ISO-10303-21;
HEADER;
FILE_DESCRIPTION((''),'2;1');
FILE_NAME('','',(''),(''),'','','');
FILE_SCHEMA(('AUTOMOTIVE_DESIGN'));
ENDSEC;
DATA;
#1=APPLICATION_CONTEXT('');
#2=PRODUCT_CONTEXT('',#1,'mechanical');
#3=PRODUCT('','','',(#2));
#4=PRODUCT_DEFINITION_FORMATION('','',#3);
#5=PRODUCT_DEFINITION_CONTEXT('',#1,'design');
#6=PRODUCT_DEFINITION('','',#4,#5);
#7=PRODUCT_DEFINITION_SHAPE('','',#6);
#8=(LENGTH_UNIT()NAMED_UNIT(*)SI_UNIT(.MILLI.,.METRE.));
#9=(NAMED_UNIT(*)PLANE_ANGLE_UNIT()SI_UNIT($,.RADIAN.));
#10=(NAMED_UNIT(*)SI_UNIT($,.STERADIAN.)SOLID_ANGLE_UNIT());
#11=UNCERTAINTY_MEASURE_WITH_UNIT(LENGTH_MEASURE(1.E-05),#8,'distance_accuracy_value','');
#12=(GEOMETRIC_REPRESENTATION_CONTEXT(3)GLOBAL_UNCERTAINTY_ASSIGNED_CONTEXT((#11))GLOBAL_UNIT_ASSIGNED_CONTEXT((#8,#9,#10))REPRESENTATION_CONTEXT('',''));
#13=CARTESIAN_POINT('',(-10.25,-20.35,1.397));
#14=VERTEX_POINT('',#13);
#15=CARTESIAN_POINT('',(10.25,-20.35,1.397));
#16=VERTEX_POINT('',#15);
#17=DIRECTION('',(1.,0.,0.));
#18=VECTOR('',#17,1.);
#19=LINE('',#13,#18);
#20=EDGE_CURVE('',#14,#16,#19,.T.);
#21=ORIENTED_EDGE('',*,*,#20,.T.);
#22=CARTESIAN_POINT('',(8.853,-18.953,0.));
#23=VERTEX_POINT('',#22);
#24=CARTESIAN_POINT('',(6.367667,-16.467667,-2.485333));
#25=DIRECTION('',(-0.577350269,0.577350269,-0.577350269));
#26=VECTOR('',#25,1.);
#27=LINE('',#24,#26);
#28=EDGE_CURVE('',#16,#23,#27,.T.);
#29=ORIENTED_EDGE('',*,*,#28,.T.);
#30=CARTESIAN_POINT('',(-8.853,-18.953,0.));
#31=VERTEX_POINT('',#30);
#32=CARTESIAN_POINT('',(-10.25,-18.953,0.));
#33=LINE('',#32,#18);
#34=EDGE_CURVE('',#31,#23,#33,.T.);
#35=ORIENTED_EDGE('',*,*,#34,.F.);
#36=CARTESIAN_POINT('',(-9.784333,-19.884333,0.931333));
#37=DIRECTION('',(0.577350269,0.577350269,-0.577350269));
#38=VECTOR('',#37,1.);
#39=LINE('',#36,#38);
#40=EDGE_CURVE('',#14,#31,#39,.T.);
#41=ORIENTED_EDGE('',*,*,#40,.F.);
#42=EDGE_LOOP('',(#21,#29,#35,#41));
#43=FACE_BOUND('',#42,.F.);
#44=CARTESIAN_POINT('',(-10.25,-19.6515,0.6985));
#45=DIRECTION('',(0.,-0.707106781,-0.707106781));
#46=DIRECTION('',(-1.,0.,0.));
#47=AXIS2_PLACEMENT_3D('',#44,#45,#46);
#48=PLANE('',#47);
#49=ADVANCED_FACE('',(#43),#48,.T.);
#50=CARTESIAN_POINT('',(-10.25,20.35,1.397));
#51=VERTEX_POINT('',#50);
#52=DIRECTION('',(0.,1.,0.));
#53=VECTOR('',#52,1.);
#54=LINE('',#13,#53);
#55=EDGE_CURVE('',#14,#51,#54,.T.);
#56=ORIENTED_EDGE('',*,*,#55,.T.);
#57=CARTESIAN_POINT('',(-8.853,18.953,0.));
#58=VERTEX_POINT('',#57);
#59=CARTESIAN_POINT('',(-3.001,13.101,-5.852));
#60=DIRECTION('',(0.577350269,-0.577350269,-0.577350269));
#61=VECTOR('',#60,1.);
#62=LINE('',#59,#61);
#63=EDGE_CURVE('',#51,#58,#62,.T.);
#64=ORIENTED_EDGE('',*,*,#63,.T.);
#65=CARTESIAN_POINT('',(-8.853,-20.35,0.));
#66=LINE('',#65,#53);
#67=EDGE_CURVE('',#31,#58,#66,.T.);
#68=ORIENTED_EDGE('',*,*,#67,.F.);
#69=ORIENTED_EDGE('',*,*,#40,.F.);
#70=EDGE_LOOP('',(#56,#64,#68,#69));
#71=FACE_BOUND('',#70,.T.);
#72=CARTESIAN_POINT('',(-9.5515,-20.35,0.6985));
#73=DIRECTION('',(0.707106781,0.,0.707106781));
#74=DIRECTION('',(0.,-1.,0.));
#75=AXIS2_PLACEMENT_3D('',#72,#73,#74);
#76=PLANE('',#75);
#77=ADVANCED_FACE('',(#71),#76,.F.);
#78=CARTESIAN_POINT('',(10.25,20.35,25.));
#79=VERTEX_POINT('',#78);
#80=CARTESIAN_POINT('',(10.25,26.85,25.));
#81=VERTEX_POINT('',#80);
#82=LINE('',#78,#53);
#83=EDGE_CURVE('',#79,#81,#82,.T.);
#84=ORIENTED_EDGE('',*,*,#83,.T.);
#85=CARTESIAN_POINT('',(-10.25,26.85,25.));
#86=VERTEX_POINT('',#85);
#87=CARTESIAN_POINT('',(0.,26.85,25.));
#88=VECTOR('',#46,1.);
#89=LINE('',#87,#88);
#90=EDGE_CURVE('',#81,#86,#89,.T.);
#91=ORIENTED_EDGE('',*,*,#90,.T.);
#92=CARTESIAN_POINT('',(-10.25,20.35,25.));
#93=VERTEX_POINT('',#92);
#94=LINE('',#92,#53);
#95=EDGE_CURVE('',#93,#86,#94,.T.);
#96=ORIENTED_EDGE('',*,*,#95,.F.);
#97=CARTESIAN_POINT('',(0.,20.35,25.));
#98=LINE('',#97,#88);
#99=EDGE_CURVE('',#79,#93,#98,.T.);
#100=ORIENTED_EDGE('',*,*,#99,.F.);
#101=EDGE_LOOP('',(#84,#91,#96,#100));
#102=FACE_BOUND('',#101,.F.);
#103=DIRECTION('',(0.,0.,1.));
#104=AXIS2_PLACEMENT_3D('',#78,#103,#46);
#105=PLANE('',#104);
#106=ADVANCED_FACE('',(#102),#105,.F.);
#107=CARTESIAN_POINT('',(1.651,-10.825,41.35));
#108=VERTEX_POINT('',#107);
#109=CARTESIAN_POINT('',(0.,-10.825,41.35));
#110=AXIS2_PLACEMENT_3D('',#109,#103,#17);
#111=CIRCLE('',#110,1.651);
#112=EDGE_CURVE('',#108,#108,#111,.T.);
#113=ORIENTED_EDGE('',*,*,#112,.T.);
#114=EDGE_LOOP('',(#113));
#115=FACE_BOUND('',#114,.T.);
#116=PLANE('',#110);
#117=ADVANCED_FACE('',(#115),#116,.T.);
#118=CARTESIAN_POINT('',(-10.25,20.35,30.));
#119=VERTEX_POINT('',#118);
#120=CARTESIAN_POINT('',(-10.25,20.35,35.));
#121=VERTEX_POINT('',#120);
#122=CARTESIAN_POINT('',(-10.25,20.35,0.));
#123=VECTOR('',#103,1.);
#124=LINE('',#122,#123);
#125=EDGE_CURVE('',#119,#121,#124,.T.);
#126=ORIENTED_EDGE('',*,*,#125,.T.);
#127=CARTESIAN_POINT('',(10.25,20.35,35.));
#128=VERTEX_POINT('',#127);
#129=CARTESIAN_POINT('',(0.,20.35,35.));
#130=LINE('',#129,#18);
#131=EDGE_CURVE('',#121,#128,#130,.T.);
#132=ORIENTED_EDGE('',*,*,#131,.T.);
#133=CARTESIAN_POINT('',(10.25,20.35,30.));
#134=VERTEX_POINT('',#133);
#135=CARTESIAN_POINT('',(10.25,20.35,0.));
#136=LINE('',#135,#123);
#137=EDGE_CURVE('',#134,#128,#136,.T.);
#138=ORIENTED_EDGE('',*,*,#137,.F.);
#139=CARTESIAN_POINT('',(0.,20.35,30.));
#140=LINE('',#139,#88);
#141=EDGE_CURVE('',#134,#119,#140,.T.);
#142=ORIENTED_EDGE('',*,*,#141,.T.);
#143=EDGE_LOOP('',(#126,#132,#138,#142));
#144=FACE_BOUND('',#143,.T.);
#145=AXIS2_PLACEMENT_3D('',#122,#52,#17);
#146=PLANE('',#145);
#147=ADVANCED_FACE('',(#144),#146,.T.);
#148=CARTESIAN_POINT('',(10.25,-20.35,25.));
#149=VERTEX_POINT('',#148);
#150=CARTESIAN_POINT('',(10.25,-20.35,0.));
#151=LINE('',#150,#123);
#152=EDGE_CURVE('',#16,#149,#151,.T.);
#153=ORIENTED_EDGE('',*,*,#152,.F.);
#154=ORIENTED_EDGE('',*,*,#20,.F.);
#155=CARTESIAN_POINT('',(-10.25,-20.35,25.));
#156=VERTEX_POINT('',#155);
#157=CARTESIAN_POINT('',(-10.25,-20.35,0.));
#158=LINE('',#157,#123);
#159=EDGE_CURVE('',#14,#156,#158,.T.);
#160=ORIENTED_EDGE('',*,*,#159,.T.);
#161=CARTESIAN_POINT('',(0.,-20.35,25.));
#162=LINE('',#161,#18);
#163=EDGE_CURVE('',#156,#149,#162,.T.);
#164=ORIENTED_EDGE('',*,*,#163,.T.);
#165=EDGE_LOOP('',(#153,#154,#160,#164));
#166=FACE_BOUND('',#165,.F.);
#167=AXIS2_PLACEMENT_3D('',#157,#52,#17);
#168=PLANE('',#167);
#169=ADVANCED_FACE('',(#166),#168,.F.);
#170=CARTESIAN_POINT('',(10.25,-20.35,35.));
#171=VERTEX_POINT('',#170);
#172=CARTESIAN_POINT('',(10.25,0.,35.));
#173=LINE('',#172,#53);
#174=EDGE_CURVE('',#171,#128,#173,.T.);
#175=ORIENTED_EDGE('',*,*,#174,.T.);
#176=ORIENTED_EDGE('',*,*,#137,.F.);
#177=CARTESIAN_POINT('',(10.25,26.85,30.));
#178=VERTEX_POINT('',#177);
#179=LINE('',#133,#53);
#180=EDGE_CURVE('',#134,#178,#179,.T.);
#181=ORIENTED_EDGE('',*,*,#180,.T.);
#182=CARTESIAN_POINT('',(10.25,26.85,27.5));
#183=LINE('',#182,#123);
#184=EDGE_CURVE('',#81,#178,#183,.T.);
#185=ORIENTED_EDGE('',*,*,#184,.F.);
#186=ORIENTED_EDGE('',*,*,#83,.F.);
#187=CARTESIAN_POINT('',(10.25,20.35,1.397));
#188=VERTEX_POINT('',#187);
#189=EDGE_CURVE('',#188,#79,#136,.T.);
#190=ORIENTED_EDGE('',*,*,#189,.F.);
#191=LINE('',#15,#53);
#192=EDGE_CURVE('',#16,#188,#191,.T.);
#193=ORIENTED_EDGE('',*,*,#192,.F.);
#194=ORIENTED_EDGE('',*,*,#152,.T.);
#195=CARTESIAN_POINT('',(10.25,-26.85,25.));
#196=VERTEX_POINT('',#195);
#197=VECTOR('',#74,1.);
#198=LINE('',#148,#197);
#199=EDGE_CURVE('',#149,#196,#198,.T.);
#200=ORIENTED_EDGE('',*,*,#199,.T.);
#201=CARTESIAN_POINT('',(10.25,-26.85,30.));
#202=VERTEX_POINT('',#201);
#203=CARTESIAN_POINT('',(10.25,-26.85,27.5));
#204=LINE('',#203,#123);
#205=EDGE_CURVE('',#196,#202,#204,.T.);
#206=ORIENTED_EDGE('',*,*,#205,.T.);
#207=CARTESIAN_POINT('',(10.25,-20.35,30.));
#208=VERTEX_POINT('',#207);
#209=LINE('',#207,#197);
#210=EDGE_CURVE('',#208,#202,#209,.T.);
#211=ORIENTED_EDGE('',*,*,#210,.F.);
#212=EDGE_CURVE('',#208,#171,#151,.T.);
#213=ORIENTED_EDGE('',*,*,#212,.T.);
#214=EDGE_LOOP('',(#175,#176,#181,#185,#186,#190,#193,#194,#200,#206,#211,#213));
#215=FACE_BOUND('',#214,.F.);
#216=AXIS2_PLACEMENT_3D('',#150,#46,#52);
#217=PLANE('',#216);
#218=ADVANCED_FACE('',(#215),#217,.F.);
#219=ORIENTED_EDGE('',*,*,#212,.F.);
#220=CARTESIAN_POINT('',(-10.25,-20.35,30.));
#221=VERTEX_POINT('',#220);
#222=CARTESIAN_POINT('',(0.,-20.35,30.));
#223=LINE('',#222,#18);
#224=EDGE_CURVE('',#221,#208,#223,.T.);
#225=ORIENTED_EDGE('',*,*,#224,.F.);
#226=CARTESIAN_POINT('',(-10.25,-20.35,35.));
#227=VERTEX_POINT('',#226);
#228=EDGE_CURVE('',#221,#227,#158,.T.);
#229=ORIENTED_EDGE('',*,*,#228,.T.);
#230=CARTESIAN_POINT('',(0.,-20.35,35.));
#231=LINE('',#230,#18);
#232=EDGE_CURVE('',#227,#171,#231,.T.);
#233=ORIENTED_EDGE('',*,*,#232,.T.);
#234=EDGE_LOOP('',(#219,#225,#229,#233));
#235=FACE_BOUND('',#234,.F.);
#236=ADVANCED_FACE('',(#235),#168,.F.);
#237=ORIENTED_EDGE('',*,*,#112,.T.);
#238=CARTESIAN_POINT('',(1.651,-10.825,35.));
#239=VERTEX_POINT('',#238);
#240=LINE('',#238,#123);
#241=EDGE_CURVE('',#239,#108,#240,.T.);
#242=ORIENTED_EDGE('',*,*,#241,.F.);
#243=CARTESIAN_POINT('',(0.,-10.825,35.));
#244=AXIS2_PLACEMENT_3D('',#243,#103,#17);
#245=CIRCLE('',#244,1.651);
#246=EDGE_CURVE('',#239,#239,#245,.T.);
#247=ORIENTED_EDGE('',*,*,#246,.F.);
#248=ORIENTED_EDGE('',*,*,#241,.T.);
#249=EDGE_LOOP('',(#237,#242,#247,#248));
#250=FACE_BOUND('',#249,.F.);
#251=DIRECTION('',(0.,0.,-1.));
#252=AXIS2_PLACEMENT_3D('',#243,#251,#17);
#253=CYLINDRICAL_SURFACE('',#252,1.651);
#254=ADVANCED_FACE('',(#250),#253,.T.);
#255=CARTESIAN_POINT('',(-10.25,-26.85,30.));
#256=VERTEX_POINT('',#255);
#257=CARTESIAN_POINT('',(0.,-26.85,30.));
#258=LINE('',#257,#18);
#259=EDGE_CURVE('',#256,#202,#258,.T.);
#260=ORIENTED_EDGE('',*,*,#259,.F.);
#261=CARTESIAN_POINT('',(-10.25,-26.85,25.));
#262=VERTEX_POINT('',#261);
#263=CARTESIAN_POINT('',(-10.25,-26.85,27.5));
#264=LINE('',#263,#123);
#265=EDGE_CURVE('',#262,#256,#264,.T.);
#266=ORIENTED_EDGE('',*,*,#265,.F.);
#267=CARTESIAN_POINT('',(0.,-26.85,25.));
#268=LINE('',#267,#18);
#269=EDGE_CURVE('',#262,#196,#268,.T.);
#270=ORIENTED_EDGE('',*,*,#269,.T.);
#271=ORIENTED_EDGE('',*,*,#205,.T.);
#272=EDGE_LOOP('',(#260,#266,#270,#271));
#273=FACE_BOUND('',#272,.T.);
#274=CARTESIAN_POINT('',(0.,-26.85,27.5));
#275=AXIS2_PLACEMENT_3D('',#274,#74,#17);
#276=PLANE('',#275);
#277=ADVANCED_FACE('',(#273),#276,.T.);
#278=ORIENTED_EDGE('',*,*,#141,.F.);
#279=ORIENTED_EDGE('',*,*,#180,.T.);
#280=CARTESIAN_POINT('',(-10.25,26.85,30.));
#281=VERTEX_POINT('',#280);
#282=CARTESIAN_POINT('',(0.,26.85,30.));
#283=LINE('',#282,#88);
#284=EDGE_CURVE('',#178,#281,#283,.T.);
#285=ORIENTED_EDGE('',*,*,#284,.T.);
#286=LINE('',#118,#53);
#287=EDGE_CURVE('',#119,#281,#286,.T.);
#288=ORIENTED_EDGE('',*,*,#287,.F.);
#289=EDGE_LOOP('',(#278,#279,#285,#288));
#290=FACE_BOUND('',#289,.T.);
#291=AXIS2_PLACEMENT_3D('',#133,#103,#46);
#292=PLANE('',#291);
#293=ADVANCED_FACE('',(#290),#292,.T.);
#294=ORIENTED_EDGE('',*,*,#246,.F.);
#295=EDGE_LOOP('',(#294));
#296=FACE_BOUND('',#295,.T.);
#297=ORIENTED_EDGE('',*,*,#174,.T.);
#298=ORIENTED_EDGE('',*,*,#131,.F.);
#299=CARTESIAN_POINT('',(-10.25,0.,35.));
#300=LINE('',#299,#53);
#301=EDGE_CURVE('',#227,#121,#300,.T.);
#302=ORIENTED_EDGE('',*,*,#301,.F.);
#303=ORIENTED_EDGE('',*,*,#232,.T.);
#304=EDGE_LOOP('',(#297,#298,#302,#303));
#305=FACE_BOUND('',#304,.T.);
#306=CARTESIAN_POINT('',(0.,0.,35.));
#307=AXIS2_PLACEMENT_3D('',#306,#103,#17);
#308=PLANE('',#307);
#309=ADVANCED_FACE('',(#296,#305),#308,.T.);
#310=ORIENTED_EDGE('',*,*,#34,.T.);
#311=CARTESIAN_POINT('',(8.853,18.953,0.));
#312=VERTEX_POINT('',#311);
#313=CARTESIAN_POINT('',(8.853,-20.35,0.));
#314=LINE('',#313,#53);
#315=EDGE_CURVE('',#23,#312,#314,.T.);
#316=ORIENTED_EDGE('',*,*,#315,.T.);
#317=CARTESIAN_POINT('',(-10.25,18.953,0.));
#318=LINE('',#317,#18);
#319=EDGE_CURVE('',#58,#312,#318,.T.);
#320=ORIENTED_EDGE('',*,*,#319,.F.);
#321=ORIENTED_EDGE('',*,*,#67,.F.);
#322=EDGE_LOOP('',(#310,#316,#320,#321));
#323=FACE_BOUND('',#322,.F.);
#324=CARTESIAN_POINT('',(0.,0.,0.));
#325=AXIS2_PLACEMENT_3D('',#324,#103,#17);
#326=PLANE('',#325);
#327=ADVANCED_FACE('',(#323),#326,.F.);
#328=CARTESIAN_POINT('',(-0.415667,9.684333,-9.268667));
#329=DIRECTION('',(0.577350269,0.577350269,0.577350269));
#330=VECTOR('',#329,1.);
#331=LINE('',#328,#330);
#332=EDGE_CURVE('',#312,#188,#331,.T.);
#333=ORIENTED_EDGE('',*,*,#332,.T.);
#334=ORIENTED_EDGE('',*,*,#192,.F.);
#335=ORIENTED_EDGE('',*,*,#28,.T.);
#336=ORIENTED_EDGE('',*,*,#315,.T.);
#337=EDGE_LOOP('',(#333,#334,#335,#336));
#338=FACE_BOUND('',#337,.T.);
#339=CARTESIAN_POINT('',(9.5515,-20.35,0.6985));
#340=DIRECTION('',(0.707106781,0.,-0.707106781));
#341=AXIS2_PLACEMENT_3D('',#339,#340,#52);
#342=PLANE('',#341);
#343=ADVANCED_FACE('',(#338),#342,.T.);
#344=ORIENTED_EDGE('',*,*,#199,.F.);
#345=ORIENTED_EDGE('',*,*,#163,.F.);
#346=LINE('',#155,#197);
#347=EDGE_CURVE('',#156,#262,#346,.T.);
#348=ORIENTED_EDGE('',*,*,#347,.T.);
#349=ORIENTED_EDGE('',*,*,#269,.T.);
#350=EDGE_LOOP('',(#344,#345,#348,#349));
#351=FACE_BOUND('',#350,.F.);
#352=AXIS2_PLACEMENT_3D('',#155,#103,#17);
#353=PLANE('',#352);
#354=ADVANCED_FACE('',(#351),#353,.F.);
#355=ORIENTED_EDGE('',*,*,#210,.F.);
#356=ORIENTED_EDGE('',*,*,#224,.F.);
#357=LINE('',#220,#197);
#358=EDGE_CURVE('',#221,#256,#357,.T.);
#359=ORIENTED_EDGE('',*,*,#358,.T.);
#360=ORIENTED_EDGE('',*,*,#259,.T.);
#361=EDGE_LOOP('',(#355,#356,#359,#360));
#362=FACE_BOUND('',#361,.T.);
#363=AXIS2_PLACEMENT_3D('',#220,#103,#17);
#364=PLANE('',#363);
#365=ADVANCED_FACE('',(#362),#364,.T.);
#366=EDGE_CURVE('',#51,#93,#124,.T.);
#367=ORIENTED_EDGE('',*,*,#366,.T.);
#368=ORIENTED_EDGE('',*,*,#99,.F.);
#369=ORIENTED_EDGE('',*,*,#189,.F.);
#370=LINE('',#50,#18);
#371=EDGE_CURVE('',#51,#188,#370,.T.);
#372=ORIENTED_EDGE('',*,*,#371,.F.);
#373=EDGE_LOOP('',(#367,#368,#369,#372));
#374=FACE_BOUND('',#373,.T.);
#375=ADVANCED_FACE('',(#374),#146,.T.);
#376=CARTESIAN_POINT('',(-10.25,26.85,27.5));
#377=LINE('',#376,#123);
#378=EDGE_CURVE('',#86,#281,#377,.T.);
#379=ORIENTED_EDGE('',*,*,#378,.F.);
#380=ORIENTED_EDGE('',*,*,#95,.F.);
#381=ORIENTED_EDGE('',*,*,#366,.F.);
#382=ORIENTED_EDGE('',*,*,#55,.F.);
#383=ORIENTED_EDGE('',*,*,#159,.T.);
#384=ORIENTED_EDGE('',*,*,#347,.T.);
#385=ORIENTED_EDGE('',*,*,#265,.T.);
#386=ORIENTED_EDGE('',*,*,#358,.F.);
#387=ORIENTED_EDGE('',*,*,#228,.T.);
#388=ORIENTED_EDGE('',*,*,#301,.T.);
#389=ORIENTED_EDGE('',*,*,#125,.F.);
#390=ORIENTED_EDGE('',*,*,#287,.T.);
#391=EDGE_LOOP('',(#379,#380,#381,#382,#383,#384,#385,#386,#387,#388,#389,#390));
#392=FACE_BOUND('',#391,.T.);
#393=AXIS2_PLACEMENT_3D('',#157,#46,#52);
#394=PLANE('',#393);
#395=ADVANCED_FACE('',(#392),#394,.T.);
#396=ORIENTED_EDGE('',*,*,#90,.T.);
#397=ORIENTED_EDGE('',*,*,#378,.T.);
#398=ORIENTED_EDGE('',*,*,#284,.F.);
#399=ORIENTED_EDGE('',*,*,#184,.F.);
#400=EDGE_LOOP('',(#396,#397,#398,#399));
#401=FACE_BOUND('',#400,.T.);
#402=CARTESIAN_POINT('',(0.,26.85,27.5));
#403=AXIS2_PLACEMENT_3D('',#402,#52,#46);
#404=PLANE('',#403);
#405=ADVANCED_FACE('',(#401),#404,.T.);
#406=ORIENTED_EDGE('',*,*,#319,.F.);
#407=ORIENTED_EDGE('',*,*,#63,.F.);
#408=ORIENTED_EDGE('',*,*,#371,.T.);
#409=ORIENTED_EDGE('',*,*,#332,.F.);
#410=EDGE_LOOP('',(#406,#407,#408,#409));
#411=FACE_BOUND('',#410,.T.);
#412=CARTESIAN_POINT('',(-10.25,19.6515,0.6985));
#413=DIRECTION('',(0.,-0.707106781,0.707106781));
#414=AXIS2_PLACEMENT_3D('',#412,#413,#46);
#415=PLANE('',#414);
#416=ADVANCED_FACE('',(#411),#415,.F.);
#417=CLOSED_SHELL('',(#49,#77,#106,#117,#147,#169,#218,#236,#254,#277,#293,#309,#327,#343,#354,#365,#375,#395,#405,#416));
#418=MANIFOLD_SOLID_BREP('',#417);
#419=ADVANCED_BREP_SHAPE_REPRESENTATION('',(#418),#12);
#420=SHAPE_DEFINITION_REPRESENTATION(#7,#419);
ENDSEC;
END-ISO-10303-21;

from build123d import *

# Parameters (mm, degrees)
F0_W     = 20.5
F0_H     = 40.7
F1_DEPTH = 35
F2_R     = 1.651
F3_DEPTH = 6.35
F4_W     = 20.5
F4_H     = 5
F5_DEPTH = 6.5
F6_W     = 20.5
F6_H     = 5
F7_DEPTH = 6.5
F8_SIZE  = 1.397


with BuildPart() as f1:
    # F0 (on Top) → F1 (new body)
    with BuildSketch(Plane.XY):
        Rectangle(F0_W, F0_H)
    extrude(amount=F1_DEPTH)

    # F2 (on face) → F3 (join)
    with BuildSketch(Plane.XY.offset(35)):
        with Locations((0, -10.825)):
            Circle(F2_R)
    extrude(amount=F3_DEPTH)

    # F4 (on face) → F5 (join)
    with BuildSketch(Plane.XZ.offset(20.35)):
        with Locations((0, 27.5)):
            Rectangle(F4_W, F4_H)
    extrude(amount=F5_DEPTH)

    # F6 (on face) → F7 (join)
    with BuildSketch(Plane(origin=(0, 20.35, 0), x_dir=(-1, 0, 0), z_dir=(0, 1, 0))):
        with Locations((0, 27.5)):
            Rectangle(F6_W, F6_H)
    extrude(amount=F7_DEPTH)

    # F8
    f8_edges = [f1.edges().sort_by_distance(p)[0] for p in [
        (0, -20.35, 0),
        (10.25, 0, 0),
        (-10.25, 0, 0),
        (0, 20.35, 0),
    ]]
    chamfer(f8_edges, length=F8_SIZE)


solid = f1.part
